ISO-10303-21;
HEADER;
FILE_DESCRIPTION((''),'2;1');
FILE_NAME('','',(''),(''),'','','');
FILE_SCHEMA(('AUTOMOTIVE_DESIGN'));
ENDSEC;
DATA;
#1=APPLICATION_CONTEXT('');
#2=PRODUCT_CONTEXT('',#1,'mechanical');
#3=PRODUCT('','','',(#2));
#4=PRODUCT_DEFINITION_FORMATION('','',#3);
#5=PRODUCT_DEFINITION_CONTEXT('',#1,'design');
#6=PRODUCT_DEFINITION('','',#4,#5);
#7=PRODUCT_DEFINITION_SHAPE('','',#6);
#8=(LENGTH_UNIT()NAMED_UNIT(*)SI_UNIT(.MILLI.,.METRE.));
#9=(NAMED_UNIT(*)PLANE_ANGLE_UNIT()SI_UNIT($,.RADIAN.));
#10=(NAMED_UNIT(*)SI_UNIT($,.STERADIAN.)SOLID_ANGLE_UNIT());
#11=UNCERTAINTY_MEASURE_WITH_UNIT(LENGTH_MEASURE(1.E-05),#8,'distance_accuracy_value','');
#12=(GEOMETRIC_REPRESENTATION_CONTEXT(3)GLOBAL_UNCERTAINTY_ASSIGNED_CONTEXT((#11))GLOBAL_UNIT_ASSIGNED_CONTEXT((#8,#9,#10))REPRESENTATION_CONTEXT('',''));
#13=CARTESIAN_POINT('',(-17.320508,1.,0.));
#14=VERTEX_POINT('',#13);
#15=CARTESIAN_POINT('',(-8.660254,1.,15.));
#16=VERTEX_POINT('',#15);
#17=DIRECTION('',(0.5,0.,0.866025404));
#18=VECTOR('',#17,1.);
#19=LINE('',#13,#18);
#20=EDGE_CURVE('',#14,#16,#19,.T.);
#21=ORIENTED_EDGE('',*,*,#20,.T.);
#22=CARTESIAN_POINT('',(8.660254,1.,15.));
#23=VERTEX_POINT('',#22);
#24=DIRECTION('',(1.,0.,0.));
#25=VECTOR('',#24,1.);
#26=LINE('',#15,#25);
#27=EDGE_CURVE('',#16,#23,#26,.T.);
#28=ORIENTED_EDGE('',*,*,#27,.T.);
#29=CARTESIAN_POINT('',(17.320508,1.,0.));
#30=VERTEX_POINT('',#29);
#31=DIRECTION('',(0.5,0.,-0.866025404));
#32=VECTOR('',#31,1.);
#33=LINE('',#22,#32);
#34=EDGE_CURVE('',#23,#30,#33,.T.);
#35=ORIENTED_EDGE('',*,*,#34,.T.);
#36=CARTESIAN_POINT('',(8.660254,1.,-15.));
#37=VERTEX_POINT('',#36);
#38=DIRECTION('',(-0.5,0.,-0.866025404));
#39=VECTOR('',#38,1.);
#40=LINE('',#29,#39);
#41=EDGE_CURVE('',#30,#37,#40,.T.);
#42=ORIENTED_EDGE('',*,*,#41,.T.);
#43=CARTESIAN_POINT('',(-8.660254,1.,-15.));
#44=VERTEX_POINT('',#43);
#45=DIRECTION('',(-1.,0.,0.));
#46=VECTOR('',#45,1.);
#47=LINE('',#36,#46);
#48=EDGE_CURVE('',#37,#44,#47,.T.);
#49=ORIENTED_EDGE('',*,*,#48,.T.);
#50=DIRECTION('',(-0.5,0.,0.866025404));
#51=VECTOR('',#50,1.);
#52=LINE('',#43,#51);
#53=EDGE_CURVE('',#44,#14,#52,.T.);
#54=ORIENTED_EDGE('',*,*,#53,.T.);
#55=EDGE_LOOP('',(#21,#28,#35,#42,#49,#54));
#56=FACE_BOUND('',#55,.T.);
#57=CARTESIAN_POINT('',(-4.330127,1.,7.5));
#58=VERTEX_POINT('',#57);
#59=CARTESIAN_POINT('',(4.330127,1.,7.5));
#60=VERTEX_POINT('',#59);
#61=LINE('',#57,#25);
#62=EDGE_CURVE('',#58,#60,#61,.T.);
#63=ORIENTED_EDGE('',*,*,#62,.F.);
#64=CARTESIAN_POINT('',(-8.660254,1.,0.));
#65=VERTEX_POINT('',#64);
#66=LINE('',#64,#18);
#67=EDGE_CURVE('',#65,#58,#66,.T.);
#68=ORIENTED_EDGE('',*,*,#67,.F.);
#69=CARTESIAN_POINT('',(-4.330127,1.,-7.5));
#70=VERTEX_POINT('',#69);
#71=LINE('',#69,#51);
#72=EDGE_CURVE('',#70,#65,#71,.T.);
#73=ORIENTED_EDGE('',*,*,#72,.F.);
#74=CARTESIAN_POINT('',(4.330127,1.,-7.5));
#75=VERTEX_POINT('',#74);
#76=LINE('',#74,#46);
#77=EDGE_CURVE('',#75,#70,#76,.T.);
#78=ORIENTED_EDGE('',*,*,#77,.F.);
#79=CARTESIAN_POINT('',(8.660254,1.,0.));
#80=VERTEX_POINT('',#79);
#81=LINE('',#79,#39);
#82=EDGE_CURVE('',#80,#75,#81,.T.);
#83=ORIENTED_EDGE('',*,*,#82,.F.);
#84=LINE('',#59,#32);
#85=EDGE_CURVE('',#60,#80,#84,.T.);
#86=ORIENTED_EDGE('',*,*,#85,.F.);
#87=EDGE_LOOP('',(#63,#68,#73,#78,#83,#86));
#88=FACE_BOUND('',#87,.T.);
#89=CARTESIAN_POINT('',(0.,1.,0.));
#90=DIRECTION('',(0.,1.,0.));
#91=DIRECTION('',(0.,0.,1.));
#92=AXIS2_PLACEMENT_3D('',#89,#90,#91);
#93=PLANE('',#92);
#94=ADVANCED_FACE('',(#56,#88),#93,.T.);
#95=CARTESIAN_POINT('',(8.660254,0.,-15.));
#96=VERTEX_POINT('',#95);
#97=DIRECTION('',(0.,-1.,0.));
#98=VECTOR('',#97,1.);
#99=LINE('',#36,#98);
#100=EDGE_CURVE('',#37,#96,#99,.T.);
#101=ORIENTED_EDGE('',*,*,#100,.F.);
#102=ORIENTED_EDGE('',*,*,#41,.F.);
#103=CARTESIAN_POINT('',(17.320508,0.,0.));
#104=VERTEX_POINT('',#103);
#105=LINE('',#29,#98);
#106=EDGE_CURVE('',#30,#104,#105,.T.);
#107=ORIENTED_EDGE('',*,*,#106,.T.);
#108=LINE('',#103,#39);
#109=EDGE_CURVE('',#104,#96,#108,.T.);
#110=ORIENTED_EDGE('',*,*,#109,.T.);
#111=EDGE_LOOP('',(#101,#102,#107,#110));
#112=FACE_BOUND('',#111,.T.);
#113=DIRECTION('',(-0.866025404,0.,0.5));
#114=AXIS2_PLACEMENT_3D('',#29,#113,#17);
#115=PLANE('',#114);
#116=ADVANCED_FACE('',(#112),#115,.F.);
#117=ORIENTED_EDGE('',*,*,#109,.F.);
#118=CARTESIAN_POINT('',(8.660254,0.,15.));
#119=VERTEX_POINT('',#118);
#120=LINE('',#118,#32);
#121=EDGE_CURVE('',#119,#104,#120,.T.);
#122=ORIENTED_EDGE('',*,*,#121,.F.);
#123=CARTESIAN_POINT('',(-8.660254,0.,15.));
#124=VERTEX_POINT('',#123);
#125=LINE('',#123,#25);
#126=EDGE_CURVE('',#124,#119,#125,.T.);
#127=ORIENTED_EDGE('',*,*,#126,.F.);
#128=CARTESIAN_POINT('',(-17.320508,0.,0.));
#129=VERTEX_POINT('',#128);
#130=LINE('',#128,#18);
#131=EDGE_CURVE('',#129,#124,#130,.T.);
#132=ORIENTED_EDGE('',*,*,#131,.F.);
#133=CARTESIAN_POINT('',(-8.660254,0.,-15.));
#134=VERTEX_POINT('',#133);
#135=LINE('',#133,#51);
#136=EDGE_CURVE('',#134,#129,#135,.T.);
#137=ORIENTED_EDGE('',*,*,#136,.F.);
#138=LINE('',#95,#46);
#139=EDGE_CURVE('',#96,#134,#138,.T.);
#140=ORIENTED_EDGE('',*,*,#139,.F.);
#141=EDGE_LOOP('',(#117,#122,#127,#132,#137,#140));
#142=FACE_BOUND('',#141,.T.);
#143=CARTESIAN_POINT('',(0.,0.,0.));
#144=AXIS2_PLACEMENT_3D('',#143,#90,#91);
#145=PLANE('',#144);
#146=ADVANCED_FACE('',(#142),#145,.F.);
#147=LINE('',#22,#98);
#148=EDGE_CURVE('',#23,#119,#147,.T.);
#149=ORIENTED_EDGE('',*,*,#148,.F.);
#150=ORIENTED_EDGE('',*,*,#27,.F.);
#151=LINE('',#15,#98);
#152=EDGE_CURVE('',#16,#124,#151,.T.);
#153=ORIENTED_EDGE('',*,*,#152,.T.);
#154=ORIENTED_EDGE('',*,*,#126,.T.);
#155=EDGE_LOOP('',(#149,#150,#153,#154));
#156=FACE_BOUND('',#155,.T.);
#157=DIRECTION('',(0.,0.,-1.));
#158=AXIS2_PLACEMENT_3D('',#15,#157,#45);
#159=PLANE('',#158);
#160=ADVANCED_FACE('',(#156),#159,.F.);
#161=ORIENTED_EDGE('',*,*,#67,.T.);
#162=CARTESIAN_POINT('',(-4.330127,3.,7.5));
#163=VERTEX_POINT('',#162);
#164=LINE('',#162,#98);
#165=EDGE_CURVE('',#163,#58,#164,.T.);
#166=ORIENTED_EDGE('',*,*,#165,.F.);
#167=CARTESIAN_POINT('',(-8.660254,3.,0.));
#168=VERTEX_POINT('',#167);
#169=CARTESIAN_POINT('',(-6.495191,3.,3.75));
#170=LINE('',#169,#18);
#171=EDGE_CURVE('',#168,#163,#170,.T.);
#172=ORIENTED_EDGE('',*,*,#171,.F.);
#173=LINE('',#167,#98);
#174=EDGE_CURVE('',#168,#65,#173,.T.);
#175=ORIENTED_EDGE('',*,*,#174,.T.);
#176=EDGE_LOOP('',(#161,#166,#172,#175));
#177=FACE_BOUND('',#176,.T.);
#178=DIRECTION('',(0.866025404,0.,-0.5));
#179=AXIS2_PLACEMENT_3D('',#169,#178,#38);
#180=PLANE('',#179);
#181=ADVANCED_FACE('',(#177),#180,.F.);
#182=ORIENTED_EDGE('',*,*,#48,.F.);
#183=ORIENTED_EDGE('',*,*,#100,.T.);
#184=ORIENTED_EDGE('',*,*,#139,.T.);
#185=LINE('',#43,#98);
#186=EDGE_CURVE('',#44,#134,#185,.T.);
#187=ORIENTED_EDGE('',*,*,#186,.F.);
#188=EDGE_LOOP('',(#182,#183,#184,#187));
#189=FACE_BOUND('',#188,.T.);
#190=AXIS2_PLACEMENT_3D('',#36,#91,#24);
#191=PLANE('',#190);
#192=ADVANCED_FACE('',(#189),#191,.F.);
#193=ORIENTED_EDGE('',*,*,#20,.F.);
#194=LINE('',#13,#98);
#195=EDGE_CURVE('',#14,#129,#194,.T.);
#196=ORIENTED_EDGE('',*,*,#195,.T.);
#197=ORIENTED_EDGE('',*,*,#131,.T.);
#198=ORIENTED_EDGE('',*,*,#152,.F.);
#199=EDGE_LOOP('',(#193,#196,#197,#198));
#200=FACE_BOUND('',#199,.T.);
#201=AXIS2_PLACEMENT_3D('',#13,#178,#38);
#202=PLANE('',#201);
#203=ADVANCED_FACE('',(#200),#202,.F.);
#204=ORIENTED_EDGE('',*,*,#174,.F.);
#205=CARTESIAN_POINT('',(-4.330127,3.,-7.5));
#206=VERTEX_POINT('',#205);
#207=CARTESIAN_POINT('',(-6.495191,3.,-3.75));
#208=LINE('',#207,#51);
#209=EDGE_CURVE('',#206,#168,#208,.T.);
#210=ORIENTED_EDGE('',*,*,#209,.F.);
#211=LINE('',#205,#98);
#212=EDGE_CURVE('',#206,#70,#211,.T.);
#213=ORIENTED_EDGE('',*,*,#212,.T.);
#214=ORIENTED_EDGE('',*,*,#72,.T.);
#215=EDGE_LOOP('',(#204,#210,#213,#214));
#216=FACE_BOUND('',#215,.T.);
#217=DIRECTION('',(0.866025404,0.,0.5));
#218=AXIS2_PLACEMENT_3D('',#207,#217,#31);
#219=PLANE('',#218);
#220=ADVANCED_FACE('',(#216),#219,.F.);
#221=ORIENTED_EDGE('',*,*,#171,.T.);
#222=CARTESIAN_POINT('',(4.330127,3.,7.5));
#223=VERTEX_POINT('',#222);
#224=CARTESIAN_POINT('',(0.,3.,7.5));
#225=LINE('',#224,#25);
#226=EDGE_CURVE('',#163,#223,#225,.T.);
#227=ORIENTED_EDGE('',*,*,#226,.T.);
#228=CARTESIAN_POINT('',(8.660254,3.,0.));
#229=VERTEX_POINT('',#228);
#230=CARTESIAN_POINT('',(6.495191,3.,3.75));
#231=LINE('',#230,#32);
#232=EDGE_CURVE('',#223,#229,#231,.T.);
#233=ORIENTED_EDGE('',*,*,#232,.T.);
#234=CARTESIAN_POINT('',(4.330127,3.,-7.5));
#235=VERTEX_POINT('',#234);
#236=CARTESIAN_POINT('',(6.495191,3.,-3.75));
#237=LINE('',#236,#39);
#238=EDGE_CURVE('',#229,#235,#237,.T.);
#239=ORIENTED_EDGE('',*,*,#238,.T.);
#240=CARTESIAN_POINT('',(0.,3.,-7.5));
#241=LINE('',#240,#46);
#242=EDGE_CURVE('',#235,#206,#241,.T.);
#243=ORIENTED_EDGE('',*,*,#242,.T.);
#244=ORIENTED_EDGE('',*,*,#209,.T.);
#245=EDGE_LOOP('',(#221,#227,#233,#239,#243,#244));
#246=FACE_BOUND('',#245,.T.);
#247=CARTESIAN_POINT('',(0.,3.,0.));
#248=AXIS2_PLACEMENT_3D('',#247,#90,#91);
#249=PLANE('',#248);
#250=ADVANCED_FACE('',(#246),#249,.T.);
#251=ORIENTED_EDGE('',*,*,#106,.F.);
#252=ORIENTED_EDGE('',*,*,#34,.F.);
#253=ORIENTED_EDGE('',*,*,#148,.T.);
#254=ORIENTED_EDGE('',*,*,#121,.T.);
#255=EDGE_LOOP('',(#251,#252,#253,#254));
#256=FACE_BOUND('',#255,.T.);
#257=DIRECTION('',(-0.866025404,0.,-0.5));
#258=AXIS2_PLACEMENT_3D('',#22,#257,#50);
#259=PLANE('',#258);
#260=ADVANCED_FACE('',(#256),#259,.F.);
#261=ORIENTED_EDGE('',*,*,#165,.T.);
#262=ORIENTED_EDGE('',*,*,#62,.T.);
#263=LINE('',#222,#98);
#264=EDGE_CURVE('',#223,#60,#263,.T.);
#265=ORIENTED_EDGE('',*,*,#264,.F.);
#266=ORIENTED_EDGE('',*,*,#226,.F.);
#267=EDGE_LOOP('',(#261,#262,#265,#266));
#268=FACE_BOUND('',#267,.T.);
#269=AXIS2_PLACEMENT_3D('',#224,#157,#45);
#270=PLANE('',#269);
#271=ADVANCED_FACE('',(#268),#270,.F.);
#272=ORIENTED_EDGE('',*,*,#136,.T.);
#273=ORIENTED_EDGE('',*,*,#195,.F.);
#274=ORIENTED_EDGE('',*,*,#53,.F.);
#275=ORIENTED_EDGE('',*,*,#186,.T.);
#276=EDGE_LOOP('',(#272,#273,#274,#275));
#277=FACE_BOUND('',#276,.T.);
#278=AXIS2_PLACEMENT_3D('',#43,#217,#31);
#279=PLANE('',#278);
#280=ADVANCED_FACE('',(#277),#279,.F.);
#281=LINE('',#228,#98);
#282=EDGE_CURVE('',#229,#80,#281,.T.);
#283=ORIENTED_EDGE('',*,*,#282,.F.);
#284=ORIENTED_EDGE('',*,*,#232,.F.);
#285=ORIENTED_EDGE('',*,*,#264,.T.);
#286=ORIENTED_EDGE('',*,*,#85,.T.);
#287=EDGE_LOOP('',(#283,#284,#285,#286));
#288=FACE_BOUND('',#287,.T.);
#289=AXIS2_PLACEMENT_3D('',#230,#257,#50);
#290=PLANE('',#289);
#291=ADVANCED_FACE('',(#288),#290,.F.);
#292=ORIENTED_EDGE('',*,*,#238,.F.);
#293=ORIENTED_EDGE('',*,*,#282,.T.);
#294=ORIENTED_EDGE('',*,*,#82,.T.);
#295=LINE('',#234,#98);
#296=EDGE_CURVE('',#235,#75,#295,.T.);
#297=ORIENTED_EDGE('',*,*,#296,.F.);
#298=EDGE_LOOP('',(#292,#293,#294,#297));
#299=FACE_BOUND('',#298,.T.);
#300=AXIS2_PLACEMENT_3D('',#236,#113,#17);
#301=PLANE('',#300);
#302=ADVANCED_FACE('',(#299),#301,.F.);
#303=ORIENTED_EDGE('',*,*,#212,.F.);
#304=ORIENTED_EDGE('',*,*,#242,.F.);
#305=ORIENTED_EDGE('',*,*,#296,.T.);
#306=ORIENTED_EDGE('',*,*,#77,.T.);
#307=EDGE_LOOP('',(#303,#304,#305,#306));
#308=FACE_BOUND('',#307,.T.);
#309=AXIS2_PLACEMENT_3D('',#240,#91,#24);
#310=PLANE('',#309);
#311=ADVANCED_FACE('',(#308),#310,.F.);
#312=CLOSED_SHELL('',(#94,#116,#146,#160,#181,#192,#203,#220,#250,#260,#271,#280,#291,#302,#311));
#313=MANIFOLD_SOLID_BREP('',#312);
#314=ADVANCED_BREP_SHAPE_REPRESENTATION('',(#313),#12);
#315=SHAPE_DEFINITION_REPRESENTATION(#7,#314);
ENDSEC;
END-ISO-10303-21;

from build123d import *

# Parameters (mm, degrees)
BOSS_EXTRUDE1_DEPTH = 1
BOSS_EXTRUDE2_DEPTH = 3


with BuildPart() as part:
    # Sketch2 → Boss-Extrude1 (new body)
    with BuildSketch(Plane(origin=(0, 0, 0), x_dir=(1, 0, 0), z_dir=(0, 1, 0))):
        Polygon((17.320508076, 0), (8.660254038, 15), (-8.660254038, 15), (-17.320508076, 0), (-8.660254038, -15), (8.660254038, -15), align=None)
        Polygon((8.660254038, 0), (4.330127019, 7.5), (-4.330127019, 7.5), (-8.660254038, 0), (-4.330127019, -7.5), (4.330127019, -7.5), align=None, mode=Mode.SUBTRACT)
    extrude(amount=BOSS_EXTRUDE1_DEPTH)

    # Sketch2<2> → Boss-Extrude2 (add)
    with BuildSketch(Plane(origin=(0, 0, 0), x_dir=(1, 0, 0), z_dir=(0, 1, 0))):
        Polygon((4.330127019, -7.5), (8.660254038, 0), (4.330127019, 7.5), (-4.330127019, 7.5), (-8.660254038, 0), (-4.330127019, -7.5), align=None)
    extrude(amount=BOSS_EXTRUDE2_DEPTH)


solid = part.part
